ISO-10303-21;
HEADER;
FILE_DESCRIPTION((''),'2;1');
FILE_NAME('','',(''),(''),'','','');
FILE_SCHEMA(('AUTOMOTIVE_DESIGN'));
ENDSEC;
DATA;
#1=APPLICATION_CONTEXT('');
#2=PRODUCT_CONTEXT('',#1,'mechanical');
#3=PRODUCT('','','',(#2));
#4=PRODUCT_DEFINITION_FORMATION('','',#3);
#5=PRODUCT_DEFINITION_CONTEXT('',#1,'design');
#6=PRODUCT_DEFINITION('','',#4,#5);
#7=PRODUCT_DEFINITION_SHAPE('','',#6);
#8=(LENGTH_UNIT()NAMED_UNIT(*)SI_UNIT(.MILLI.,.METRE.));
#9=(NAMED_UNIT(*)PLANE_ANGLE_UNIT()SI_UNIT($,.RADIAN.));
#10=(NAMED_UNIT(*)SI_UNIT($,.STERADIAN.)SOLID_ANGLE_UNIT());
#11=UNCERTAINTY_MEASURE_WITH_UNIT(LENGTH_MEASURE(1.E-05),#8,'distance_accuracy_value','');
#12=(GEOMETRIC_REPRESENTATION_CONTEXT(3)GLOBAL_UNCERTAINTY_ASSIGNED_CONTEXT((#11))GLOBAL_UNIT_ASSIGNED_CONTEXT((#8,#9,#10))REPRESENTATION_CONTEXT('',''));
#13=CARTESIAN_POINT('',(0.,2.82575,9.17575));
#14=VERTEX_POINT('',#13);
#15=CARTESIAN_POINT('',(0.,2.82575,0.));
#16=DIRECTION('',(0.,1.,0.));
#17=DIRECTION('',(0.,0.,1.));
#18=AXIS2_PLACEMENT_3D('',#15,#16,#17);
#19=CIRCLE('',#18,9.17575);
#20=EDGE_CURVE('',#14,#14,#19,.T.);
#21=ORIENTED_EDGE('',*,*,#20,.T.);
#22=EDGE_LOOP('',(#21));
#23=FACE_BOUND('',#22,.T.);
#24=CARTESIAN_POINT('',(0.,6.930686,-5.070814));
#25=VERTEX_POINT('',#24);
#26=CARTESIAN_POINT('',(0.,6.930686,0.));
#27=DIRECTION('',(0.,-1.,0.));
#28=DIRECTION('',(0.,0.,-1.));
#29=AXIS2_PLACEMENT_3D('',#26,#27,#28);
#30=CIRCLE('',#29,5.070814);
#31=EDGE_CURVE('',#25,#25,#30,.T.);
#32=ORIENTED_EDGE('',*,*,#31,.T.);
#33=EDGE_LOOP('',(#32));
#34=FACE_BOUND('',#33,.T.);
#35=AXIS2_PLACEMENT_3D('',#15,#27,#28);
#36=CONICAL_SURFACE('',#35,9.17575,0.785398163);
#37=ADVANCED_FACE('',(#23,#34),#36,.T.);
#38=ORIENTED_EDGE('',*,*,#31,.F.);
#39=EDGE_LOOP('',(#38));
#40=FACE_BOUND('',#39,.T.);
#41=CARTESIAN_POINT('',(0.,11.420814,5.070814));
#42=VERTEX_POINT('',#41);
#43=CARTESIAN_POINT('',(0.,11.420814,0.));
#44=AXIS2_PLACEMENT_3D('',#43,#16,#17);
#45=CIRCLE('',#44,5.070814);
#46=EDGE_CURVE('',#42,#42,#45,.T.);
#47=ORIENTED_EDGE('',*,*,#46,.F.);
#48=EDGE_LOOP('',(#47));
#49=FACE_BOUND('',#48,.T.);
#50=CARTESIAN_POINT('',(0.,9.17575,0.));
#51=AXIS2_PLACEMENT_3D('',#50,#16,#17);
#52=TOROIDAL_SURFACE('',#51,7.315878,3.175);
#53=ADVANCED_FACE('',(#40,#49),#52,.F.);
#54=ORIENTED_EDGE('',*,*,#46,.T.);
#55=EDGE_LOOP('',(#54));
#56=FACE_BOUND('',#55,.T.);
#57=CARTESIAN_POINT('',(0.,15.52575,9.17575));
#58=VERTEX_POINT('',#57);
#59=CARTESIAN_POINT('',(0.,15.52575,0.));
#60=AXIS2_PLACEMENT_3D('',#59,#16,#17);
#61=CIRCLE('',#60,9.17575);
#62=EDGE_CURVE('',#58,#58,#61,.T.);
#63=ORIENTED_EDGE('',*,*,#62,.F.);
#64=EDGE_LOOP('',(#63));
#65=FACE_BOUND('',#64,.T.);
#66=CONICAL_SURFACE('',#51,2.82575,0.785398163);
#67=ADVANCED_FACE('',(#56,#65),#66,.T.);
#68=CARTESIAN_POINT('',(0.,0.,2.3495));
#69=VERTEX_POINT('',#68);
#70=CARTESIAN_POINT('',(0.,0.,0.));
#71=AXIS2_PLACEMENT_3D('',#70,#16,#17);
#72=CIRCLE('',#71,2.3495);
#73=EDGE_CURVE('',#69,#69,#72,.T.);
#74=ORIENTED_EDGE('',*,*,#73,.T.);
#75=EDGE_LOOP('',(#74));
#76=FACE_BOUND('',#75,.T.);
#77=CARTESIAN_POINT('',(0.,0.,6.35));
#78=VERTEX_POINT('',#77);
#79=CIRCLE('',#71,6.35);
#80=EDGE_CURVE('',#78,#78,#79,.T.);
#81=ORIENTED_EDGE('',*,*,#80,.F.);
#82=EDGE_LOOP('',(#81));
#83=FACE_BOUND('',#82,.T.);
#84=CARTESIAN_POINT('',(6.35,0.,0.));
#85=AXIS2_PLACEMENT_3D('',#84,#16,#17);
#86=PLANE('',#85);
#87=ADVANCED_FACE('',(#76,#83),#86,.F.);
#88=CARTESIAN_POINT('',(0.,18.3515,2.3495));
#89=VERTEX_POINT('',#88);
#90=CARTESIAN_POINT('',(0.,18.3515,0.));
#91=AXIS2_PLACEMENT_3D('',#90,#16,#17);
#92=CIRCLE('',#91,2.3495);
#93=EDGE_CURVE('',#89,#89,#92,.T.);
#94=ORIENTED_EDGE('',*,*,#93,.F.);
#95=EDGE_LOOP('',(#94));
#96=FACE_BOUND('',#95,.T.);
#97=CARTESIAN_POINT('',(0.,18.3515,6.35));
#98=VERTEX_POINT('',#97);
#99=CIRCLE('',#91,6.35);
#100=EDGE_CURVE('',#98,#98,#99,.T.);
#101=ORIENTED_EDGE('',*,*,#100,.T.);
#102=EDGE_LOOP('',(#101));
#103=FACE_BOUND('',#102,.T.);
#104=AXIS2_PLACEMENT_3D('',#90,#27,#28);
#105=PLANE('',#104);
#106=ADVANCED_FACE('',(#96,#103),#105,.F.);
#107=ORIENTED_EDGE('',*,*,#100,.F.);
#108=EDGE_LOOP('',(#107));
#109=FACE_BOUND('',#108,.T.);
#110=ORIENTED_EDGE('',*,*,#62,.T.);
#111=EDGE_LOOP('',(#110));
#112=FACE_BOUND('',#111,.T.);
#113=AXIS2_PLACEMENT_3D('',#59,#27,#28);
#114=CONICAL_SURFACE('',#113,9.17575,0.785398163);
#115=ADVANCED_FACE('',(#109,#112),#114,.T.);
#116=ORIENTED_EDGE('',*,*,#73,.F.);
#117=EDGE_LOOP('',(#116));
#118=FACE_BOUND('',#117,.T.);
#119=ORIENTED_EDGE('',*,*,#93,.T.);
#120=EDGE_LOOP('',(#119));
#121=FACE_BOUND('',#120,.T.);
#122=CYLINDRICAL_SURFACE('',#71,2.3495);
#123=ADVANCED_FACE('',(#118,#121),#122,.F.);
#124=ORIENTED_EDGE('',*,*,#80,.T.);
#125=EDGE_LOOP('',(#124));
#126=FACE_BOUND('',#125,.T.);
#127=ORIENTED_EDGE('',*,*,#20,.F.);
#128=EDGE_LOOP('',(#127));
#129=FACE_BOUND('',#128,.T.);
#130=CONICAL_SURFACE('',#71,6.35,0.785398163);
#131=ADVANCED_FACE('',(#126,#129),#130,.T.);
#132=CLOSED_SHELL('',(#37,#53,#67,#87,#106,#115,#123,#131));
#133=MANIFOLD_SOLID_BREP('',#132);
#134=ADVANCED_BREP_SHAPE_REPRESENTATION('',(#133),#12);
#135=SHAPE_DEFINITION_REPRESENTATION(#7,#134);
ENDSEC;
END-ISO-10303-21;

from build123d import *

# Parameters (mm, degrees)
SKETCH3_R          = 2.3495
CUT_EXTRUDE1_DEPTH = 19.3515
FILLET1_R          = 3.175


with BuildPart() as part:
    # Sketch2 → Revolve1 (revolve)
    with BuildSketch(Plane.XY):
        Polygon((9.17575, 2.82575), (6.35, 0), (0, 0), (0, 18.3515), (6.35, 18.3515), (9.17575, 15.52575), (2.82575, 9.17575), align=None)
    revolve(axis=Axis((0, 18.3515, 0), (0, -1, 0)))

    # Sketch3 → Cut-Extrude1 (cut, through all)
    with BuildSketch(Plane(origin=(0, 18.3515, 0), x_dir=(1, 0, 0), z_dir=(0, 1, 0))):
        Circle(SKETCH3_R)
    extrude(amount=-CUT_EXTRUDE1_DEPTH, mode=Mode.SUBTRACT)

    # Fillet1
    fillet1_edges = [part.edges().sort_by_distance(p)[0] for p in [
        (-2.82575, 9.17575, 0),
    ]]
    fillet(fillet1_edges, radius=FILLET1_R)


solid = part.part
